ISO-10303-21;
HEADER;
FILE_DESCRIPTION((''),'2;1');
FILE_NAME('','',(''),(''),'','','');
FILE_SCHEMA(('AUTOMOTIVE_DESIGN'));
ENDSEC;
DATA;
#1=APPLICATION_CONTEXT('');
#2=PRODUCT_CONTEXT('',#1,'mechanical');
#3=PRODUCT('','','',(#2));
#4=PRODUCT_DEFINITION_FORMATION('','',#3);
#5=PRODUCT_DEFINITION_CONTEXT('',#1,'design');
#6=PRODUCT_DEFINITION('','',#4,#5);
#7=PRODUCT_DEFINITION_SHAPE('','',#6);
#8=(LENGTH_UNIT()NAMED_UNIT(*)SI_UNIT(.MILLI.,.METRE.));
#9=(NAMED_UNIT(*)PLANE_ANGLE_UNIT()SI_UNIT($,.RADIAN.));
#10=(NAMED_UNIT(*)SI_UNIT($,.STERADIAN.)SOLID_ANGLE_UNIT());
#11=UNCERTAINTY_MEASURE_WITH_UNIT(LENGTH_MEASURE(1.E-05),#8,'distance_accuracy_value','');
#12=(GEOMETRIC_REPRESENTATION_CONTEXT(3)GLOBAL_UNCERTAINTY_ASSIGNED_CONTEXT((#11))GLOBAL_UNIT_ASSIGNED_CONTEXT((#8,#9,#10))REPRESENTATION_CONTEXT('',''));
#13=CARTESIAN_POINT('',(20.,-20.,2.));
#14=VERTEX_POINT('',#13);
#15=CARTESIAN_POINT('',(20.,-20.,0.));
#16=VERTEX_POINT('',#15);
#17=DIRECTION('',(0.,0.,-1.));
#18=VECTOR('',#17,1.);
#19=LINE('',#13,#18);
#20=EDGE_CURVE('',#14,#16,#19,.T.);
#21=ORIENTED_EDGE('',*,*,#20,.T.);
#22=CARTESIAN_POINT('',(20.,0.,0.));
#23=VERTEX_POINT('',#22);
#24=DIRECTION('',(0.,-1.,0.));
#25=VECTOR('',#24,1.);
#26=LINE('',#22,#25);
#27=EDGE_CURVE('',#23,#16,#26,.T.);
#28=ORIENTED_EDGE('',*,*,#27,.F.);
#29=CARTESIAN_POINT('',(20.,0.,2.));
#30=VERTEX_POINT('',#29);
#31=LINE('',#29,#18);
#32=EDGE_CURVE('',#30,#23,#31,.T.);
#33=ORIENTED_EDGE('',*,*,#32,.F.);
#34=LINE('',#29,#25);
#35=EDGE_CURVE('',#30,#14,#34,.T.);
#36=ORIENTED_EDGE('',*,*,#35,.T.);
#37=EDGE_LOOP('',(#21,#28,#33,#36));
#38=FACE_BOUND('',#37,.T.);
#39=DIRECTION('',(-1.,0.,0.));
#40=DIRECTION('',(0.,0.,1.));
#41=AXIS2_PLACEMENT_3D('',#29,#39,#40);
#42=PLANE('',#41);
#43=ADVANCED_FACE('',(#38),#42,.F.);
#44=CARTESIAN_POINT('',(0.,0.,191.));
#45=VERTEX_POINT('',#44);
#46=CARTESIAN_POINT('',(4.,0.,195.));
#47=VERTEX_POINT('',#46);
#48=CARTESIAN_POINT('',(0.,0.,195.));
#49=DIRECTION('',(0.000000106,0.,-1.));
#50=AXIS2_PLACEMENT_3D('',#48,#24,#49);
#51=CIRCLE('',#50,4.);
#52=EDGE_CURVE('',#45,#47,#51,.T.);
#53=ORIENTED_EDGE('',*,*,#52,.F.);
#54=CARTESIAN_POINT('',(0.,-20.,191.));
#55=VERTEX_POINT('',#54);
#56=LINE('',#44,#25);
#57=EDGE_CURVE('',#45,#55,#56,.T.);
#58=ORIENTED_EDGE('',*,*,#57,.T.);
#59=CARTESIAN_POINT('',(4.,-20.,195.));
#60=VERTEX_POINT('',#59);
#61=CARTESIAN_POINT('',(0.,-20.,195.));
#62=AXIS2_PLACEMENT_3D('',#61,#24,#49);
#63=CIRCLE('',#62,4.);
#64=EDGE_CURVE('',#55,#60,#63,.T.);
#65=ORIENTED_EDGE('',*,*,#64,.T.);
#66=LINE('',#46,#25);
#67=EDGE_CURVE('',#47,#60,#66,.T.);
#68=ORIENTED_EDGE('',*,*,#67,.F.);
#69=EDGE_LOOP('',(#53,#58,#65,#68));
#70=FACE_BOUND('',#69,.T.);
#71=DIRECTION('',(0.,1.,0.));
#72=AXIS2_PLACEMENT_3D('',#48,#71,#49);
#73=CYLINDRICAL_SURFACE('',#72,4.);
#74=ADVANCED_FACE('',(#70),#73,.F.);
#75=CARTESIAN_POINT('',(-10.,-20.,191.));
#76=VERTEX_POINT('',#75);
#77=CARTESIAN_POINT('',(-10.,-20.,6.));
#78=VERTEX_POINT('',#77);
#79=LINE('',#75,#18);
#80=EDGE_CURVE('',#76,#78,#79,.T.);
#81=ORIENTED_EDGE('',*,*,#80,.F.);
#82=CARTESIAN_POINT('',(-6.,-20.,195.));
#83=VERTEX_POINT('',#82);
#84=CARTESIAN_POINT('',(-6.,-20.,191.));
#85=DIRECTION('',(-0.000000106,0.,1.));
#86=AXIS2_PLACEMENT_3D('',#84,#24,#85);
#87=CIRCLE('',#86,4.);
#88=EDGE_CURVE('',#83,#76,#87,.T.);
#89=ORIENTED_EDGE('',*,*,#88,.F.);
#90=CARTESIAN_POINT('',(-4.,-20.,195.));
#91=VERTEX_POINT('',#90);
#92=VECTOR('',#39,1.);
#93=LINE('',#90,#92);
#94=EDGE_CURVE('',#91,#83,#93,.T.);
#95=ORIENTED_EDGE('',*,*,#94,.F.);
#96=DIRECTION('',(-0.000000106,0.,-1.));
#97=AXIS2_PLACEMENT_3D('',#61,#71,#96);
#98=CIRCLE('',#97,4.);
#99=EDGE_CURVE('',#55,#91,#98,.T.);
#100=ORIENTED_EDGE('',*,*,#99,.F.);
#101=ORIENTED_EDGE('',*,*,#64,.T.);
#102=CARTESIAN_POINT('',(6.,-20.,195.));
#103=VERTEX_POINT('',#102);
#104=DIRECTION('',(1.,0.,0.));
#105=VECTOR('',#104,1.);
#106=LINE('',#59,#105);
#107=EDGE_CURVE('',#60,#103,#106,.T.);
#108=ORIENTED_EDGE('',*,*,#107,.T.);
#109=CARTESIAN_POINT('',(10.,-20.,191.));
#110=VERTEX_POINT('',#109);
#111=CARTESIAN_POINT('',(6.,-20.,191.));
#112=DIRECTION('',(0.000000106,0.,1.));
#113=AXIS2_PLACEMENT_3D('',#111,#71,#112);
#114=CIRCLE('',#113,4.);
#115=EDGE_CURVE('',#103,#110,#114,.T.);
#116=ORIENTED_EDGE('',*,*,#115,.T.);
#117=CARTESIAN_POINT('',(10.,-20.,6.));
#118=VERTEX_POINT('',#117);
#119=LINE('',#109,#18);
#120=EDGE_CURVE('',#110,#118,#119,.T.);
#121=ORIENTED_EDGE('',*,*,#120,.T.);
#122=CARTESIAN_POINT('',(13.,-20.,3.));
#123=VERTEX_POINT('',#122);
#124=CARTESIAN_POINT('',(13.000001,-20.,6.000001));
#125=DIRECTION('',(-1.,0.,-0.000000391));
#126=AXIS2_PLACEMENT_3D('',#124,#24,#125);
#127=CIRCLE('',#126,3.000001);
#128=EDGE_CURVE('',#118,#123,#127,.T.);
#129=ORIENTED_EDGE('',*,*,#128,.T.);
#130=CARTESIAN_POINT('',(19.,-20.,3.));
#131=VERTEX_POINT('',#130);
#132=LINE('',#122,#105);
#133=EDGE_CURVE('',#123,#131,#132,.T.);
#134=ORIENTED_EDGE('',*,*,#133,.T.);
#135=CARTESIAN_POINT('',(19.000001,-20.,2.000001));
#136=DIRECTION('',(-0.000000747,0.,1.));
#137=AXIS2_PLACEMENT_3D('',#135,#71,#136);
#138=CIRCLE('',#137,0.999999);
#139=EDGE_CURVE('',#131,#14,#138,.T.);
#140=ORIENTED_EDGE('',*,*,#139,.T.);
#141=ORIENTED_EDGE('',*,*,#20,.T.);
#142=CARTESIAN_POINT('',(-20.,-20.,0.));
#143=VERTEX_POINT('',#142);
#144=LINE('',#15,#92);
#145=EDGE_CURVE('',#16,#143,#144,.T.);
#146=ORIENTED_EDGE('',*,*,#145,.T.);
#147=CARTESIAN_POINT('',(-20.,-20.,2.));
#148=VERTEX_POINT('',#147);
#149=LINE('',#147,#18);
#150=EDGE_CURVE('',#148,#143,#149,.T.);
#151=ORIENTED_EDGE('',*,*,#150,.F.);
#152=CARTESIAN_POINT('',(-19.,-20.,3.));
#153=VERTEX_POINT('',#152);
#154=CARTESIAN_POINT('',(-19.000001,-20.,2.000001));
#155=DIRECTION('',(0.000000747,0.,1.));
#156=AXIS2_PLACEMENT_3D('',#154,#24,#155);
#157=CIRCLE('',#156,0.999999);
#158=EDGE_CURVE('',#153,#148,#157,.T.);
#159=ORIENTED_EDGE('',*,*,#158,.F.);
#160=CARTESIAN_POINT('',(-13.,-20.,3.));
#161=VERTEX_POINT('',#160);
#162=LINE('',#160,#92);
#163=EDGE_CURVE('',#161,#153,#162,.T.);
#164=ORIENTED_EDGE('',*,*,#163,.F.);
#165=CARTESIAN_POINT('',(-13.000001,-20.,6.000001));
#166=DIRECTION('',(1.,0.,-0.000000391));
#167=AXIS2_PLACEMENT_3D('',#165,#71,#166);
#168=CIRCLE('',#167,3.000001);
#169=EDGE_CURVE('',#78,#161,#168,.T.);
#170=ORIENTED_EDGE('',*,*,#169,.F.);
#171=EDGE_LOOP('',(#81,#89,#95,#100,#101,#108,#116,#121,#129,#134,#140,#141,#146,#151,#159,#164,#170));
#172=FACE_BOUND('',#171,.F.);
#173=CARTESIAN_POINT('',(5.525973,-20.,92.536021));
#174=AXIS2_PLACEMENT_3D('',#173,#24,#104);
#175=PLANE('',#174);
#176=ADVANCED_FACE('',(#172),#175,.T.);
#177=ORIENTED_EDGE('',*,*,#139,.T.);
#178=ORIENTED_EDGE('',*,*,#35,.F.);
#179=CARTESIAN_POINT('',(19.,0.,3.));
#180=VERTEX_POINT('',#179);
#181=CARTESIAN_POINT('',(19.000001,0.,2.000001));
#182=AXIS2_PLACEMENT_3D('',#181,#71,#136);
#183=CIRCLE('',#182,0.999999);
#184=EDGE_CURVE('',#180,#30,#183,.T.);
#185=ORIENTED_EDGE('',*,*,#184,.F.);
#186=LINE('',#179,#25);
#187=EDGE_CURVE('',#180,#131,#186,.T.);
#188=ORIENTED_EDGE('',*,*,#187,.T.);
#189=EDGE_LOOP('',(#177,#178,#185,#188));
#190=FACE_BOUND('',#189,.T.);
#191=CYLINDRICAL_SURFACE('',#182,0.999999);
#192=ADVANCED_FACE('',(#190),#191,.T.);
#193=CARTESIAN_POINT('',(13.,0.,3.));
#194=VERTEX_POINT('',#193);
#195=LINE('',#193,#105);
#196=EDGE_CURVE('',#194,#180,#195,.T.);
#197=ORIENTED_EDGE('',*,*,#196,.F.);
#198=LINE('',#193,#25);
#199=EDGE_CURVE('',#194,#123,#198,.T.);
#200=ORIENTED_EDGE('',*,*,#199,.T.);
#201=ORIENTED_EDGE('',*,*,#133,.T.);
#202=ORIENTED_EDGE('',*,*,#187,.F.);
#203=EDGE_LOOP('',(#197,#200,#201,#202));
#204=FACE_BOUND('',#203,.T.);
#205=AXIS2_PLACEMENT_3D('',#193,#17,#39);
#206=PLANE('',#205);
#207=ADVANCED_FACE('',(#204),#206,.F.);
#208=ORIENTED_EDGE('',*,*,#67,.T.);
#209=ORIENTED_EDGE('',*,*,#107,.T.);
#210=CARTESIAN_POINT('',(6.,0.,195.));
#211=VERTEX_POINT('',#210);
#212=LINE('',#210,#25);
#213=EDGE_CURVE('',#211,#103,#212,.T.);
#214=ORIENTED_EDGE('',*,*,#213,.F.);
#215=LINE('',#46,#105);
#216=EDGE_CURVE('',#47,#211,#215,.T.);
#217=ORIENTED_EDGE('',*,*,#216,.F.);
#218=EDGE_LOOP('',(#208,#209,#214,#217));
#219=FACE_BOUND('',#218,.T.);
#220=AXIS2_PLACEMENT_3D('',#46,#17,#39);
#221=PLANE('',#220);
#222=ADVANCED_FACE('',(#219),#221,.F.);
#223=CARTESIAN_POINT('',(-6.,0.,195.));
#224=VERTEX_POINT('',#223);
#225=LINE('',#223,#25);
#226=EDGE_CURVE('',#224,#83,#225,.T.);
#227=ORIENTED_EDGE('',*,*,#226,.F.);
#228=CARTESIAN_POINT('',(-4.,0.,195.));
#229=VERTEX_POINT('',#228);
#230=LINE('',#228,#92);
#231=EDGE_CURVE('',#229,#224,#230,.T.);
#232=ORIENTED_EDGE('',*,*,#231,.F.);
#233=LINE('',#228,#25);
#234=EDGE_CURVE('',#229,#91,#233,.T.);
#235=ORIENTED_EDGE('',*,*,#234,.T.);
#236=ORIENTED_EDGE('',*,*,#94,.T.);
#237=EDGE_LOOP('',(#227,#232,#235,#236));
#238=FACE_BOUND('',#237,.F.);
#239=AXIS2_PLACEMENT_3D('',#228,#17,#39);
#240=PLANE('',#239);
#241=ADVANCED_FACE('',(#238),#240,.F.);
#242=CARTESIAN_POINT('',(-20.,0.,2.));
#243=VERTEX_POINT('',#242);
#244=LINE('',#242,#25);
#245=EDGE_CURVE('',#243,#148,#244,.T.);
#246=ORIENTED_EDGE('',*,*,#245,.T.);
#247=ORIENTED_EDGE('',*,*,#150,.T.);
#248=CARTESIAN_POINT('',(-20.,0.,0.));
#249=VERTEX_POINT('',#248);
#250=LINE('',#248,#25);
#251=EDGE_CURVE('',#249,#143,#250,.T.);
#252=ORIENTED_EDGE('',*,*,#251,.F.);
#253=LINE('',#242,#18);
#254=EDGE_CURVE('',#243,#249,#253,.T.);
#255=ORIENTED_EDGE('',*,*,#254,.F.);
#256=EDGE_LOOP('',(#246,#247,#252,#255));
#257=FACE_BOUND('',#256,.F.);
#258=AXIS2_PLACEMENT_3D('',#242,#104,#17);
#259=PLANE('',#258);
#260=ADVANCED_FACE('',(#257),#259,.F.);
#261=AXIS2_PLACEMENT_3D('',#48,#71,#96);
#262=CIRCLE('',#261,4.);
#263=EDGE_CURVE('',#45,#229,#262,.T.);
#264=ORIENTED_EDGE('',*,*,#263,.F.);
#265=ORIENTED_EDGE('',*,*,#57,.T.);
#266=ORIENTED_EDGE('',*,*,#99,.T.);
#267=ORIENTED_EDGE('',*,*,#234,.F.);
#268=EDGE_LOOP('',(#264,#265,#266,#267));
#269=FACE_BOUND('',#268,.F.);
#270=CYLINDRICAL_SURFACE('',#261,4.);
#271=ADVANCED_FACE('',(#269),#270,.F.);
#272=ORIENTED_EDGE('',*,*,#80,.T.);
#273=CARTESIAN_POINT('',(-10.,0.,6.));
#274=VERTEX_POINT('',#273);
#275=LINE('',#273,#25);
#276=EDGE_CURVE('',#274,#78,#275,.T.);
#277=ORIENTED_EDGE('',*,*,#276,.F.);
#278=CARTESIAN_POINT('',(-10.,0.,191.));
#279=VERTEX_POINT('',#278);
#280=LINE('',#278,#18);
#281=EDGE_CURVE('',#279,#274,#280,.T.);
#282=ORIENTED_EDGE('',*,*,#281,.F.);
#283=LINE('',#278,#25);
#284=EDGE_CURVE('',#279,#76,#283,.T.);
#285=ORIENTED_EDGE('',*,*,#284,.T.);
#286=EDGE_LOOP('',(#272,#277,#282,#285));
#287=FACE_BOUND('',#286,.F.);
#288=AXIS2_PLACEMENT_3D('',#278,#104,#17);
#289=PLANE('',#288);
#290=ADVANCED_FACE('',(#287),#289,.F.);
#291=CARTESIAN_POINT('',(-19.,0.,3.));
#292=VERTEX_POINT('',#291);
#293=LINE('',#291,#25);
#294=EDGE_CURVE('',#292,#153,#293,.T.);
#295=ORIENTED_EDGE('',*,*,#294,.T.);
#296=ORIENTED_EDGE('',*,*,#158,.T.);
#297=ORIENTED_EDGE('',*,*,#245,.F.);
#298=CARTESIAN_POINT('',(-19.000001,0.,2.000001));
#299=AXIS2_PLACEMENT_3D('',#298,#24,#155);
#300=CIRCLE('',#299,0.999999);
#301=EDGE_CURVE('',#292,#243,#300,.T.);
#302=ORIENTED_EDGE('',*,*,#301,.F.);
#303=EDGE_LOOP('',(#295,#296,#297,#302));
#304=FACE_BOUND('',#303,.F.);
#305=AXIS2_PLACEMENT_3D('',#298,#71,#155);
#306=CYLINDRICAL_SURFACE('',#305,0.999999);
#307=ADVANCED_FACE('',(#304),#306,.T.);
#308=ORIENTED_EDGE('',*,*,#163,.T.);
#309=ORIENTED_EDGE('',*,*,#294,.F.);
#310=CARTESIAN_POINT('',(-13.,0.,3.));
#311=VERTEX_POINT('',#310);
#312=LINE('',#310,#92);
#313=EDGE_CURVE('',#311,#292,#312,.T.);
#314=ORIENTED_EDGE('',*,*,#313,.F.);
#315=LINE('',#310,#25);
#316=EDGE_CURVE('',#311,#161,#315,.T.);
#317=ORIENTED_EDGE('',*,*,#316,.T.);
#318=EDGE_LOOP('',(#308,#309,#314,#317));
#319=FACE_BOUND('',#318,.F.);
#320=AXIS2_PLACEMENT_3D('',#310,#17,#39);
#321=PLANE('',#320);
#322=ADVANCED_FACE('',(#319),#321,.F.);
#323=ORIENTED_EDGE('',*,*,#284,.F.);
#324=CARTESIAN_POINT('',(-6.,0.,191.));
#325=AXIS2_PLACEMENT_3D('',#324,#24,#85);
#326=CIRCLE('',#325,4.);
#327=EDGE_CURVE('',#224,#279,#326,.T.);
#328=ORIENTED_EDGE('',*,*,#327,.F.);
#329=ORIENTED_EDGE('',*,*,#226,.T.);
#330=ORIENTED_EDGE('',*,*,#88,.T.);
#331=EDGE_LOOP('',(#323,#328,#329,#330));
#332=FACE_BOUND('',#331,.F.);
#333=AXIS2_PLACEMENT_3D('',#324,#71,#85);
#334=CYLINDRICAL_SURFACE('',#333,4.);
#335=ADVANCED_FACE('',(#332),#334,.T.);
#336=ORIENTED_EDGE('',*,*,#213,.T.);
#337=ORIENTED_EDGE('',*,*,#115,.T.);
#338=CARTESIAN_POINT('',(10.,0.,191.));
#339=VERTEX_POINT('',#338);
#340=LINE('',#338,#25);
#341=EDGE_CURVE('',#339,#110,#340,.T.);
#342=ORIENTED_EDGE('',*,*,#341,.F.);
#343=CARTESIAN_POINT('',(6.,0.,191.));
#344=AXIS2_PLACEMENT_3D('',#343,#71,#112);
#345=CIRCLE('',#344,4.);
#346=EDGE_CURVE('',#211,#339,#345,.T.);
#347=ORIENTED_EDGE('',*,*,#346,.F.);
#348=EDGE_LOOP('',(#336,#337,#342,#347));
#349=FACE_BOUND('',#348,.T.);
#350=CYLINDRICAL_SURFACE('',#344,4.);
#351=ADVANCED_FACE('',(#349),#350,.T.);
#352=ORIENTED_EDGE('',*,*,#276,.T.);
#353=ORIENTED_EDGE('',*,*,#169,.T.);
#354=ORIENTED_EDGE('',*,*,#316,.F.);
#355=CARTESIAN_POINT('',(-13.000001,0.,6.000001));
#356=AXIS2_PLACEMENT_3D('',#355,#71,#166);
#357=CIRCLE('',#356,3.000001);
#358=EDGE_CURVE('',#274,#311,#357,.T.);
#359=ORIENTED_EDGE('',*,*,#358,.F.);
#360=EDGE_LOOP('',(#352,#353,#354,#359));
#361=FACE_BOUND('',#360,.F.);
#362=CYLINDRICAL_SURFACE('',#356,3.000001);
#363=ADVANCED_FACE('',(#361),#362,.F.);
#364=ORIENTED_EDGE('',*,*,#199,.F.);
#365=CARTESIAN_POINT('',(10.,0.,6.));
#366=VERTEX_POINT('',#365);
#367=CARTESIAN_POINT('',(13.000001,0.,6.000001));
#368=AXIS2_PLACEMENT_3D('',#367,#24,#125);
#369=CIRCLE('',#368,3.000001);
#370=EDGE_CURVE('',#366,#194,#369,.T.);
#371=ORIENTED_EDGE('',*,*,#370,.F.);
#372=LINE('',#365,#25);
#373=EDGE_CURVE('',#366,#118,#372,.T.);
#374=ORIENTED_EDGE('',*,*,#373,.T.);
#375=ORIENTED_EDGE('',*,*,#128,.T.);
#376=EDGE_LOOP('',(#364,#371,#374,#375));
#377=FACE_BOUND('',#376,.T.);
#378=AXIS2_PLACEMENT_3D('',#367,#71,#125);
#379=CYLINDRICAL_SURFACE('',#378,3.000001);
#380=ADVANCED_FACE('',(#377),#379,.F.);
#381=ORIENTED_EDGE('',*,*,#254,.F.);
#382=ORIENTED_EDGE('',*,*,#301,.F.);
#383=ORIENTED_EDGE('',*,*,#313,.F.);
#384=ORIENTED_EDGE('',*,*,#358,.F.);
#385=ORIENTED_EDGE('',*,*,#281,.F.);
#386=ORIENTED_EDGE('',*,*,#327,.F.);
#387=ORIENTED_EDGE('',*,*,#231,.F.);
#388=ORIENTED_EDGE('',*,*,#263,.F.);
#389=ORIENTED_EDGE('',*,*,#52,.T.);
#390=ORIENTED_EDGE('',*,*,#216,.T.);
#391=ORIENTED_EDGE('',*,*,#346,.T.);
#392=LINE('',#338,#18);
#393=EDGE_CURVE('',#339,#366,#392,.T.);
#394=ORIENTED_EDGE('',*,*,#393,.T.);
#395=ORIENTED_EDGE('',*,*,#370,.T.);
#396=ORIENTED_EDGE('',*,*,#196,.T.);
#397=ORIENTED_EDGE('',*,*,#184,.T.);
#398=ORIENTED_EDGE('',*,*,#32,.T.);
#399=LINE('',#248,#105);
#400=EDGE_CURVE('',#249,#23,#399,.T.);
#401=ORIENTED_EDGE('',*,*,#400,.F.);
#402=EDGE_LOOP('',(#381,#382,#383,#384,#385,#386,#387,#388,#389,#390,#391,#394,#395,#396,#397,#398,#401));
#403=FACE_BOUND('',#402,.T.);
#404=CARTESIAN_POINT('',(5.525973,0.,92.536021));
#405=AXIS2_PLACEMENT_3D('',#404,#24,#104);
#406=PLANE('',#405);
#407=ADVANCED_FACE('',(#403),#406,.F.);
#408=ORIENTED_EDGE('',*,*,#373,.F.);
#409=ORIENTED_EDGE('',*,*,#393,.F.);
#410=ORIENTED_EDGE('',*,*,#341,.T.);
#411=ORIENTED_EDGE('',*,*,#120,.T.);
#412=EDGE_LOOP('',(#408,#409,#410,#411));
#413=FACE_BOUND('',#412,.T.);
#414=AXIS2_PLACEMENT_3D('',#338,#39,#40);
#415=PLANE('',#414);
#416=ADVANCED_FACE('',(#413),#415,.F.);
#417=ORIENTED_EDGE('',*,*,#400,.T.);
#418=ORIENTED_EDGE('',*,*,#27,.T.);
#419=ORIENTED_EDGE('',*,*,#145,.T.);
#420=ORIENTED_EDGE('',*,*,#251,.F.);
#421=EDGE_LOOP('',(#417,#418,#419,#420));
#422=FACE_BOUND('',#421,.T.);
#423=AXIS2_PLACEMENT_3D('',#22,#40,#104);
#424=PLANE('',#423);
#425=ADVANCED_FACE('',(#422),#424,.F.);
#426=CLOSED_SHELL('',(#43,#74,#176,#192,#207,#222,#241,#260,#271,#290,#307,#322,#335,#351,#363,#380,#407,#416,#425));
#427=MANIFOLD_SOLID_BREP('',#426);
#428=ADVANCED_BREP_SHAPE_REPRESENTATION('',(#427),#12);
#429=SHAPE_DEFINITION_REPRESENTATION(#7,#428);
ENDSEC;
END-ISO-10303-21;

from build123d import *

# Parameters (mm, degrees)
F1_DEPTH = 20


with BuildPart() as f1:
    # F0 (on Front) → F1 (new body)
    with BuildSketch(Plane.XZ):
        with BuildLine():
            Line((-20, 0), (0, 0))
            Line((0, 0), (0, 191))
            ThreePointArc((0, 191), (-2.828427, 192.171573), (-4, 195))
            Line((-4, 195), (-6, 195))
            ThreePointArc((-6, 195), (-8.828427, 193.828427), (-10, 191))
            Line((-10, 191), (-10, 6))
            ThreePointArc((-10, 6), (-10.87868, 3.87868), (-13, 3))
            Line((-13, 3), (-19, 3))
            ThreePointArc((-19, 3), (-19.707107, 2.707107), (-20, 2))
            Line((-20, 2), (-20, 0))
        make_face()
    extrude(amount=F1_DEPTH)

    # F2: F1 across face


with BuildPart() as f1_1:
    add(f1.part)
    add(f1.part.mirror(Plane(origin=(0, -10, 95.5), x_dir=(0, 1, 0), z_dir=(1, 0, 0))))


solid = f1_1.part
